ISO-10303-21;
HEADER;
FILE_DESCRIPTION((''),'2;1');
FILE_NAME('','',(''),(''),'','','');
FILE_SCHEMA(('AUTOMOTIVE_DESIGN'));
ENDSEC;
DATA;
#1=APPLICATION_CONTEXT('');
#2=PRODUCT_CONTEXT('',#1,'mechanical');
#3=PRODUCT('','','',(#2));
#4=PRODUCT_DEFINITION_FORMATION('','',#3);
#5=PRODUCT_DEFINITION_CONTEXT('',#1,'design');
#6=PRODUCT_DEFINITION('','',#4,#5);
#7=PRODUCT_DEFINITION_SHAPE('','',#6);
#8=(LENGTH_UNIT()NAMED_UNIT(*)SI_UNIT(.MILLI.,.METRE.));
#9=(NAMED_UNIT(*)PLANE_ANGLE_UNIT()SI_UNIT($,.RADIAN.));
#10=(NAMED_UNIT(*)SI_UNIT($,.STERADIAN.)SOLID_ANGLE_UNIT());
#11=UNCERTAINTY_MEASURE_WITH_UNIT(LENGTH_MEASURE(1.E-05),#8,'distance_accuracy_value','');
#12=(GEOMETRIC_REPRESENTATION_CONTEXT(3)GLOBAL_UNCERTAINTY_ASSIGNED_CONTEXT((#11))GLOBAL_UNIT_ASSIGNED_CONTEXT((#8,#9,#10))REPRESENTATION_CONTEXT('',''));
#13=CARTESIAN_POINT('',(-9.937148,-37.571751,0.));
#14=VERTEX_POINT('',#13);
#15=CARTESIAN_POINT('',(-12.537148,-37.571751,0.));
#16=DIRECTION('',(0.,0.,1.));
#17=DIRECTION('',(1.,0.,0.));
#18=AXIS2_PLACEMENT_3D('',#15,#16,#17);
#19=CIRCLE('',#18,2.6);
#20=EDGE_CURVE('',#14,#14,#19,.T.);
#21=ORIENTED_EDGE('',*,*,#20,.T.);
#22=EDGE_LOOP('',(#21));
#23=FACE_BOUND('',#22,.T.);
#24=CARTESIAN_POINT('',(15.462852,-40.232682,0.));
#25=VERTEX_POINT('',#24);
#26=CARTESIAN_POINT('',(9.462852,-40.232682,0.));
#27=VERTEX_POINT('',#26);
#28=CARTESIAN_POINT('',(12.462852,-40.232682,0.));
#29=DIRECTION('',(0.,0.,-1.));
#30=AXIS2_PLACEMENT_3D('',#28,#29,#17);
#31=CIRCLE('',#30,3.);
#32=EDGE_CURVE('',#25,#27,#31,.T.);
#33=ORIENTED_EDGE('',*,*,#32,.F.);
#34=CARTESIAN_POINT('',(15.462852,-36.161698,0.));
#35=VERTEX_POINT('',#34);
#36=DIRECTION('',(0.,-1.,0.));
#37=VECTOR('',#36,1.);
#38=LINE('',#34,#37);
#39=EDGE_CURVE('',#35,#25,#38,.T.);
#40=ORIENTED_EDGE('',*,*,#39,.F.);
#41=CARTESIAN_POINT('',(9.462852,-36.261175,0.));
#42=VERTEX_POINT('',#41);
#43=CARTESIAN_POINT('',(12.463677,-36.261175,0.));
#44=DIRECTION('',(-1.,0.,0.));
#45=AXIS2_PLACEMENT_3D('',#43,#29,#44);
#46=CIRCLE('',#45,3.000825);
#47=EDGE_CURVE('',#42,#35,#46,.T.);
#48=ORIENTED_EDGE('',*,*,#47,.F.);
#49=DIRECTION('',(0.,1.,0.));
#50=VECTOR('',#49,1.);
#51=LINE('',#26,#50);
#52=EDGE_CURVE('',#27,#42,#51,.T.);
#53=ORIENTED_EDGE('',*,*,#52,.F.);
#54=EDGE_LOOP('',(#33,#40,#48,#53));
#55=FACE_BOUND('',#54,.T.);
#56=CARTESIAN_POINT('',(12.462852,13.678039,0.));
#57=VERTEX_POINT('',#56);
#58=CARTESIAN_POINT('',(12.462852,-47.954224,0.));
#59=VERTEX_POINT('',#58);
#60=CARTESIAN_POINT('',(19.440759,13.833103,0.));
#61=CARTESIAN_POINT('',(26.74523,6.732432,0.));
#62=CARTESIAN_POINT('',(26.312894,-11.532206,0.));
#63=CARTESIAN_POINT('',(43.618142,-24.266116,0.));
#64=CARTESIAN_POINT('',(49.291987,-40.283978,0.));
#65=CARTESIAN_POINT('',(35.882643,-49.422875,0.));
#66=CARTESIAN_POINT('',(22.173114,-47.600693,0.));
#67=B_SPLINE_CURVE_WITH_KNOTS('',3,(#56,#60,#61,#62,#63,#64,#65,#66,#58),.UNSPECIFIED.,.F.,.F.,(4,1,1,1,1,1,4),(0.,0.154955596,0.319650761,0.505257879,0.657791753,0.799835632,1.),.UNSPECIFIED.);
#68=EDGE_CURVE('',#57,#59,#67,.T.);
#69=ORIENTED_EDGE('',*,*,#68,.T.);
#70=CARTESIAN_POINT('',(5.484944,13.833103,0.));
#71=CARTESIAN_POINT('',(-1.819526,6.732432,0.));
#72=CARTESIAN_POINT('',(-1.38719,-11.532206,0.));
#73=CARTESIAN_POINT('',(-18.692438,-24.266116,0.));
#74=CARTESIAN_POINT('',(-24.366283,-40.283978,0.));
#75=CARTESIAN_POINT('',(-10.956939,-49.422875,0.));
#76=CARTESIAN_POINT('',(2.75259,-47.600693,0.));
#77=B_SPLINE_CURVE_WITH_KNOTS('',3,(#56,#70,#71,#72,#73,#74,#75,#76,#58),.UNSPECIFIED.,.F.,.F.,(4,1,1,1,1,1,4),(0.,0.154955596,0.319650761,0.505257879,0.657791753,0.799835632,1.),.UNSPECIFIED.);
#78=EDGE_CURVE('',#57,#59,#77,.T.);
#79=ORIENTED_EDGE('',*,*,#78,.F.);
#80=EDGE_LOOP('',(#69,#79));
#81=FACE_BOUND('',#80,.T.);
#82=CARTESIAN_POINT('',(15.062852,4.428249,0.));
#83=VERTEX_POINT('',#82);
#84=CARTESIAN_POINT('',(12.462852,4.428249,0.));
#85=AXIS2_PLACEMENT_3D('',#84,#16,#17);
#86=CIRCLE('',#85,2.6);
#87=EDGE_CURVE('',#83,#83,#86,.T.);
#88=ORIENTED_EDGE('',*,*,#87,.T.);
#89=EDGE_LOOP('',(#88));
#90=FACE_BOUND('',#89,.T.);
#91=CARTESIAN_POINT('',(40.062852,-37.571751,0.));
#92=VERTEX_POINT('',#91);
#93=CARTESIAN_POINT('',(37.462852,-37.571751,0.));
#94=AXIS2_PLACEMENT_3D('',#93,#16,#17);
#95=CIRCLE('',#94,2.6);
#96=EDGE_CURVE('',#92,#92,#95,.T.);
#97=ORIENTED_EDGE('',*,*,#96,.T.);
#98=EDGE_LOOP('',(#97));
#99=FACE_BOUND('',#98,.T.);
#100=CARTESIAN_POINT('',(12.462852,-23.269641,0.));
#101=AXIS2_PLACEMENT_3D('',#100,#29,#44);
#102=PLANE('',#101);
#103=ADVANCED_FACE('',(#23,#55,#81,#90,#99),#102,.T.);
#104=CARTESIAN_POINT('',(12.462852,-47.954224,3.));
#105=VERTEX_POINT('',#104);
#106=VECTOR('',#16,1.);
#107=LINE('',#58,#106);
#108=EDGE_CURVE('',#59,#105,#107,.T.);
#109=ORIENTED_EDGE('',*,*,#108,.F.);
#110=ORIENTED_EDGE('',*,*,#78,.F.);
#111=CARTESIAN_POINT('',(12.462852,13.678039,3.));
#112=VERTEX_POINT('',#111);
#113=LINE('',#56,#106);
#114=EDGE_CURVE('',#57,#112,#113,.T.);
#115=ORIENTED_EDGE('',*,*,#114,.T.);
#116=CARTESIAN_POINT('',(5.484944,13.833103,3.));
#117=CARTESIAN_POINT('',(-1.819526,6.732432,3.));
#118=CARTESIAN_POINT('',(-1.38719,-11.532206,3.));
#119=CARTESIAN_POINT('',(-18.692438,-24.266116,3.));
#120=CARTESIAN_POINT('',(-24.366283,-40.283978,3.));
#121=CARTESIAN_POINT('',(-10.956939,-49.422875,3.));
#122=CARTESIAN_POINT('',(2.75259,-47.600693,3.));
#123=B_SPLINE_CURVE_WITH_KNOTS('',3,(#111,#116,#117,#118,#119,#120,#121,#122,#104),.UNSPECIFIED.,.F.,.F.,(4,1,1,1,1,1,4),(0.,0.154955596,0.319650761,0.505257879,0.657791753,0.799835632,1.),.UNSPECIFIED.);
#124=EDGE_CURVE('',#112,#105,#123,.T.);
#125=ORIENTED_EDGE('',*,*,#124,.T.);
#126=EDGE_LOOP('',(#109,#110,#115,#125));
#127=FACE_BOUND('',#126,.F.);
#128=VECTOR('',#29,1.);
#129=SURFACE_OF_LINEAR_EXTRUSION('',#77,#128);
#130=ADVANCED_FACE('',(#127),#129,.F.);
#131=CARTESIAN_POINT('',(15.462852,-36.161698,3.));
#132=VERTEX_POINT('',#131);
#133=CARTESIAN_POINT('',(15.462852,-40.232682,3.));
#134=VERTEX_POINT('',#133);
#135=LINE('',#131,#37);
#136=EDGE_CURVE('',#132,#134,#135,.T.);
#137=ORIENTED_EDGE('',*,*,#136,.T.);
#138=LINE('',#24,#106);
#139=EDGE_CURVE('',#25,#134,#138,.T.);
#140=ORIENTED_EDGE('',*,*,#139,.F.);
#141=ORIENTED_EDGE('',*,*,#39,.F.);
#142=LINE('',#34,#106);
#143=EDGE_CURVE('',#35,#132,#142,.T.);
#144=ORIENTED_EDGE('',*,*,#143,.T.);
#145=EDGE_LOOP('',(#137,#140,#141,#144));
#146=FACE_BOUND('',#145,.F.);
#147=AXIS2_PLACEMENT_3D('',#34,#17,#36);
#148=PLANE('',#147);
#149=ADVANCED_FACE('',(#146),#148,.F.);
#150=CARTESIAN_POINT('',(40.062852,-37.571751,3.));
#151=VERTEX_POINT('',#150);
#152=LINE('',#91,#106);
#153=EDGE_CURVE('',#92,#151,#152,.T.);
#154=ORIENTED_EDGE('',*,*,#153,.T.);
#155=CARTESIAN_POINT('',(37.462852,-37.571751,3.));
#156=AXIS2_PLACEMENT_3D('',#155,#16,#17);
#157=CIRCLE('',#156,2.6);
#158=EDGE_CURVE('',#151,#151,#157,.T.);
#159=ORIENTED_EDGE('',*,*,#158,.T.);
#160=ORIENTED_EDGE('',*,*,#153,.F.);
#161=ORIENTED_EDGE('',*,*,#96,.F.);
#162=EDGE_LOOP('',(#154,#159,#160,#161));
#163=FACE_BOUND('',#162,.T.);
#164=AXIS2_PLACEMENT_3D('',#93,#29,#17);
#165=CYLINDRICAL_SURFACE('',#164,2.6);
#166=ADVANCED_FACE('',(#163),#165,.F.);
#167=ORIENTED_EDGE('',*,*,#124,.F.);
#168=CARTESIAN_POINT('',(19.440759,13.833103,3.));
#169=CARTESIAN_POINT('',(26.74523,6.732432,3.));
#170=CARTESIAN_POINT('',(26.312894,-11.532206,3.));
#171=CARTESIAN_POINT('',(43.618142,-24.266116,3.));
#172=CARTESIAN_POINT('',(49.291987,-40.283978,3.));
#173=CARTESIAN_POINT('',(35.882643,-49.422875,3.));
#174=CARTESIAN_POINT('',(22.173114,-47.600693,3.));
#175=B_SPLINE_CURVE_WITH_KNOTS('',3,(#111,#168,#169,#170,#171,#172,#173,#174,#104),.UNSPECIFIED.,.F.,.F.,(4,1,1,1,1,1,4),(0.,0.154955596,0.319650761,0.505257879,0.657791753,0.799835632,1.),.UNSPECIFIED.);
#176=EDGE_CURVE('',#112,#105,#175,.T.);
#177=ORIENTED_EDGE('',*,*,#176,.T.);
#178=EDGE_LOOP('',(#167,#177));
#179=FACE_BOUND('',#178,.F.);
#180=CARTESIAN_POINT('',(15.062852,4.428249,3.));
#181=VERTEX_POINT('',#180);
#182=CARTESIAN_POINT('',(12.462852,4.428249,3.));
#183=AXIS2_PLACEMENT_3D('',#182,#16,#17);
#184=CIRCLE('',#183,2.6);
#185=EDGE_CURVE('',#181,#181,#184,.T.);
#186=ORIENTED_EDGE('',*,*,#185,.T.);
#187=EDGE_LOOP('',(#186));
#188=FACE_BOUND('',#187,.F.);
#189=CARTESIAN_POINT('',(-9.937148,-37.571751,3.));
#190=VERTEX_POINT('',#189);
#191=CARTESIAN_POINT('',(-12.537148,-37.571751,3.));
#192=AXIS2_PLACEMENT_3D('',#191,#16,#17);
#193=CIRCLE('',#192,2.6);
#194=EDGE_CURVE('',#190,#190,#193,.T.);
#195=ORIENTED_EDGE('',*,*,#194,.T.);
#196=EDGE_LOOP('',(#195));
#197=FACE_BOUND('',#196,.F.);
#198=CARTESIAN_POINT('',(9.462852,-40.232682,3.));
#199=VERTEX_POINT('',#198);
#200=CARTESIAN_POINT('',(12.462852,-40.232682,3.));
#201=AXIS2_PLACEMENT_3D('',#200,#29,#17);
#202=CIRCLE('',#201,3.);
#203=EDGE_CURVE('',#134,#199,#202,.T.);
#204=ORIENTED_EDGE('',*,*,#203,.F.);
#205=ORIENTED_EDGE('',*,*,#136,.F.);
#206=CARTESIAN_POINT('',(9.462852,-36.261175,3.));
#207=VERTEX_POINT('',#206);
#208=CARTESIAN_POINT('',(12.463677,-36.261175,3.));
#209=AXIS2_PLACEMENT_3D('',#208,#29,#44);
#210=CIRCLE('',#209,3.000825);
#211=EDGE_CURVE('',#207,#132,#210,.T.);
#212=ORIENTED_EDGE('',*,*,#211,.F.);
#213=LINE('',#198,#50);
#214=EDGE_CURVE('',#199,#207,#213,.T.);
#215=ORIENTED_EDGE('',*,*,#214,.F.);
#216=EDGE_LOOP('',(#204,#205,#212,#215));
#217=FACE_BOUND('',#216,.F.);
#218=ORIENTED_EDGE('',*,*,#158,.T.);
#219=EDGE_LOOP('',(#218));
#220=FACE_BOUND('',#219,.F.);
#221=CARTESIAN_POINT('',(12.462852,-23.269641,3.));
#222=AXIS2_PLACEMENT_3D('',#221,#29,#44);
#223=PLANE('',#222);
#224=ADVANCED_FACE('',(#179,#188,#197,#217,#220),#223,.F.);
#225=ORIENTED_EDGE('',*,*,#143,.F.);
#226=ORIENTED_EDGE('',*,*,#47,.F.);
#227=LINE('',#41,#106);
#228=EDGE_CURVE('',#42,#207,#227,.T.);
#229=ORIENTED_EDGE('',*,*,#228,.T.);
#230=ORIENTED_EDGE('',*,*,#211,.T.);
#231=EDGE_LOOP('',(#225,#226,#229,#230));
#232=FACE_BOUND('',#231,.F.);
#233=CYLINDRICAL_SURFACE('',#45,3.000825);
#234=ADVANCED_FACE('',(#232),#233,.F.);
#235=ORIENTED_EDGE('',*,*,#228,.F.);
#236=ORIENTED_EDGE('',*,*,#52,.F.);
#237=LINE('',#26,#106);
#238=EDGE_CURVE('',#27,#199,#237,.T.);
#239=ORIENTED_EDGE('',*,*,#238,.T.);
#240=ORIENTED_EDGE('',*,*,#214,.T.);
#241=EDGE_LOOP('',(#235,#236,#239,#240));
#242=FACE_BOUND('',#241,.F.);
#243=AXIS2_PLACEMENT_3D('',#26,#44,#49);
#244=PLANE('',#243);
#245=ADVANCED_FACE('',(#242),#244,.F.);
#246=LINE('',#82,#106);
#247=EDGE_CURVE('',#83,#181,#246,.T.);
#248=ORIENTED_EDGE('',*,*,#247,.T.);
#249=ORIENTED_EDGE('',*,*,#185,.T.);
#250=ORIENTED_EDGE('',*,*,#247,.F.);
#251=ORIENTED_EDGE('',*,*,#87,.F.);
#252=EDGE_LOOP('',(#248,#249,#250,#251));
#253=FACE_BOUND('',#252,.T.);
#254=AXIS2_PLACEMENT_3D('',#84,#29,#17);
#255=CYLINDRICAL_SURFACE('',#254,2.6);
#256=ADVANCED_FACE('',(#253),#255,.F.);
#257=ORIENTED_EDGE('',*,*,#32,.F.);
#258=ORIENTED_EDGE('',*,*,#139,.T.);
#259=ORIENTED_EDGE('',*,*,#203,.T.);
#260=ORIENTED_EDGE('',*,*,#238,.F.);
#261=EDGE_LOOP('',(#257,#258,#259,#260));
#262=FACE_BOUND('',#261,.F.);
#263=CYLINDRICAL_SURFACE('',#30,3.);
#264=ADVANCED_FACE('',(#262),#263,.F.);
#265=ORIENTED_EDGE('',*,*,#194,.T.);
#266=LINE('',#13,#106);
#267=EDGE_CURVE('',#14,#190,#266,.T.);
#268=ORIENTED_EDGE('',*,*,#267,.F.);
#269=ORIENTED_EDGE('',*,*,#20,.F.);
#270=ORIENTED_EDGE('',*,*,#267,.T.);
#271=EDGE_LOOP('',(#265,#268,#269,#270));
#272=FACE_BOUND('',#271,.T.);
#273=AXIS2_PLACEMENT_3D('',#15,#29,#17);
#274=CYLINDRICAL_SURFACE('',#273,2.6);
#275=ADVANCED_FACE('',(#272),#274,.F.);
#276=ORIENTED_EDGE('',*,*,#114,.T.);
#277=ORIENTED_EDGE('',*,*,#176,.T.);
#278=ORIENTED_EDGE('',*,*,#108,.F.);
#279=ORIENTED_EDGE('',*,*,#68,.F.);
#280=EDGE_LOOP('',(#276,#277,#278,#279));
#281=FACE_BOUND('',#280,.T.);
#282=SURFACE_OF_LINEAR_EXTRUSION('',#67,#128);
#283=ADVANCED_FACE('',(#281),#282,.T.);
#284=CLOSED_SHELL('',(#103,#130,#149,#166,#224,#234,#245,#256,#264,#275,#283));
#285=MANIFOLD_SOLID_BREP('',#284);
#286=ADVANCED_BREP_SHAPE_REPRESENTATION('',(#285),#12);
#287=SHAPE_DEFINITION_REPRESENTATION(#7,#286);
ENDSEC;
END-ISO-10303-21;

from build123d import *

# Parameters (mm, degrees)
F0_R     = 2.6
F1_DEPTH = 3


with BuildPart() as f1:
    # F0 (on Top) → F1 (new body)
    with BuildSketch(Plane.XY):
        with BuildLine():
            add(Edge.make_bspline(
                [(12.4628519006, 13.6780394241), (19.4407593717, 13.8331027583), (26.7452298575, 6.7324317401), (26.3128940789, -11.5322055726), (43.6181419579, -24.266116276), (49.2919868937, -40.2839782528), (35.8826429609, -49.4228751578), (22.1731135653, -47.6006929448), (12.4628519006, -47.95422405)],
                knots=[0, 0, 0, 0, 0.1549555961, 0.3196507615, 0.5052578789, 0.6577917534, 0.7998356316, 1, 1, 1, 1], degree=3))
            add(Edge.make_bspline(
                [(12.4628519006, 13.6780394241), (5.4849444295, 13.8331027583), (-1.8195260563, 6.7324317401), (-1.3871902777, -11.5322055726), (-18.6924381567, -24.266116276), (-24.3662830925, -40.2839782528), (-10.9569391597, -49.4228751578), (2.7525902359, -47.6006929448), (12.4628519006, -47.95422405)],
                knots=[0, 0, 0, 0, 0.1549555961, 0.3196507615, 0.5052578789, 0.6577917534, 0.7998356316, 1, 1, 1, 1], degree=3))
        make_face()
        with Locations((-12.5371480994, -37.5717511536)):
            Circle(F0_R, mode=Mode.SUBTRACT)
        with BuildLine():
            ThreePointArc((15.4628519006, -40.2326815498), (12.4628519006, -43.2326815498), (9.4628519006, -40.2326815498))
            Line((9.4628519006, -40.2326815498), (9.4628519006, -36.2611748278))
            ThreePointArc((9.4628519006, -36.2611748278), (12.4139314817, -33.2607625412), (15.4628519006, -36.161698401))
            Line((15.4628519006, -36.161698401), (15.4628519006, -40.2326815498))
        make_face(mode=Mode.SUBTRACT)
        with Locations((37.4628519006, -37.5717511536)):
            Circle(F0_R, mode=Mode.SUBTRACT)
        with Locations((12.4628519006, 4.4282488464)):
            Circle(F0_R, mode=Mode.SUBTRACT)
    extrude(amount=F1_DEPTH)


solid = f1.part
